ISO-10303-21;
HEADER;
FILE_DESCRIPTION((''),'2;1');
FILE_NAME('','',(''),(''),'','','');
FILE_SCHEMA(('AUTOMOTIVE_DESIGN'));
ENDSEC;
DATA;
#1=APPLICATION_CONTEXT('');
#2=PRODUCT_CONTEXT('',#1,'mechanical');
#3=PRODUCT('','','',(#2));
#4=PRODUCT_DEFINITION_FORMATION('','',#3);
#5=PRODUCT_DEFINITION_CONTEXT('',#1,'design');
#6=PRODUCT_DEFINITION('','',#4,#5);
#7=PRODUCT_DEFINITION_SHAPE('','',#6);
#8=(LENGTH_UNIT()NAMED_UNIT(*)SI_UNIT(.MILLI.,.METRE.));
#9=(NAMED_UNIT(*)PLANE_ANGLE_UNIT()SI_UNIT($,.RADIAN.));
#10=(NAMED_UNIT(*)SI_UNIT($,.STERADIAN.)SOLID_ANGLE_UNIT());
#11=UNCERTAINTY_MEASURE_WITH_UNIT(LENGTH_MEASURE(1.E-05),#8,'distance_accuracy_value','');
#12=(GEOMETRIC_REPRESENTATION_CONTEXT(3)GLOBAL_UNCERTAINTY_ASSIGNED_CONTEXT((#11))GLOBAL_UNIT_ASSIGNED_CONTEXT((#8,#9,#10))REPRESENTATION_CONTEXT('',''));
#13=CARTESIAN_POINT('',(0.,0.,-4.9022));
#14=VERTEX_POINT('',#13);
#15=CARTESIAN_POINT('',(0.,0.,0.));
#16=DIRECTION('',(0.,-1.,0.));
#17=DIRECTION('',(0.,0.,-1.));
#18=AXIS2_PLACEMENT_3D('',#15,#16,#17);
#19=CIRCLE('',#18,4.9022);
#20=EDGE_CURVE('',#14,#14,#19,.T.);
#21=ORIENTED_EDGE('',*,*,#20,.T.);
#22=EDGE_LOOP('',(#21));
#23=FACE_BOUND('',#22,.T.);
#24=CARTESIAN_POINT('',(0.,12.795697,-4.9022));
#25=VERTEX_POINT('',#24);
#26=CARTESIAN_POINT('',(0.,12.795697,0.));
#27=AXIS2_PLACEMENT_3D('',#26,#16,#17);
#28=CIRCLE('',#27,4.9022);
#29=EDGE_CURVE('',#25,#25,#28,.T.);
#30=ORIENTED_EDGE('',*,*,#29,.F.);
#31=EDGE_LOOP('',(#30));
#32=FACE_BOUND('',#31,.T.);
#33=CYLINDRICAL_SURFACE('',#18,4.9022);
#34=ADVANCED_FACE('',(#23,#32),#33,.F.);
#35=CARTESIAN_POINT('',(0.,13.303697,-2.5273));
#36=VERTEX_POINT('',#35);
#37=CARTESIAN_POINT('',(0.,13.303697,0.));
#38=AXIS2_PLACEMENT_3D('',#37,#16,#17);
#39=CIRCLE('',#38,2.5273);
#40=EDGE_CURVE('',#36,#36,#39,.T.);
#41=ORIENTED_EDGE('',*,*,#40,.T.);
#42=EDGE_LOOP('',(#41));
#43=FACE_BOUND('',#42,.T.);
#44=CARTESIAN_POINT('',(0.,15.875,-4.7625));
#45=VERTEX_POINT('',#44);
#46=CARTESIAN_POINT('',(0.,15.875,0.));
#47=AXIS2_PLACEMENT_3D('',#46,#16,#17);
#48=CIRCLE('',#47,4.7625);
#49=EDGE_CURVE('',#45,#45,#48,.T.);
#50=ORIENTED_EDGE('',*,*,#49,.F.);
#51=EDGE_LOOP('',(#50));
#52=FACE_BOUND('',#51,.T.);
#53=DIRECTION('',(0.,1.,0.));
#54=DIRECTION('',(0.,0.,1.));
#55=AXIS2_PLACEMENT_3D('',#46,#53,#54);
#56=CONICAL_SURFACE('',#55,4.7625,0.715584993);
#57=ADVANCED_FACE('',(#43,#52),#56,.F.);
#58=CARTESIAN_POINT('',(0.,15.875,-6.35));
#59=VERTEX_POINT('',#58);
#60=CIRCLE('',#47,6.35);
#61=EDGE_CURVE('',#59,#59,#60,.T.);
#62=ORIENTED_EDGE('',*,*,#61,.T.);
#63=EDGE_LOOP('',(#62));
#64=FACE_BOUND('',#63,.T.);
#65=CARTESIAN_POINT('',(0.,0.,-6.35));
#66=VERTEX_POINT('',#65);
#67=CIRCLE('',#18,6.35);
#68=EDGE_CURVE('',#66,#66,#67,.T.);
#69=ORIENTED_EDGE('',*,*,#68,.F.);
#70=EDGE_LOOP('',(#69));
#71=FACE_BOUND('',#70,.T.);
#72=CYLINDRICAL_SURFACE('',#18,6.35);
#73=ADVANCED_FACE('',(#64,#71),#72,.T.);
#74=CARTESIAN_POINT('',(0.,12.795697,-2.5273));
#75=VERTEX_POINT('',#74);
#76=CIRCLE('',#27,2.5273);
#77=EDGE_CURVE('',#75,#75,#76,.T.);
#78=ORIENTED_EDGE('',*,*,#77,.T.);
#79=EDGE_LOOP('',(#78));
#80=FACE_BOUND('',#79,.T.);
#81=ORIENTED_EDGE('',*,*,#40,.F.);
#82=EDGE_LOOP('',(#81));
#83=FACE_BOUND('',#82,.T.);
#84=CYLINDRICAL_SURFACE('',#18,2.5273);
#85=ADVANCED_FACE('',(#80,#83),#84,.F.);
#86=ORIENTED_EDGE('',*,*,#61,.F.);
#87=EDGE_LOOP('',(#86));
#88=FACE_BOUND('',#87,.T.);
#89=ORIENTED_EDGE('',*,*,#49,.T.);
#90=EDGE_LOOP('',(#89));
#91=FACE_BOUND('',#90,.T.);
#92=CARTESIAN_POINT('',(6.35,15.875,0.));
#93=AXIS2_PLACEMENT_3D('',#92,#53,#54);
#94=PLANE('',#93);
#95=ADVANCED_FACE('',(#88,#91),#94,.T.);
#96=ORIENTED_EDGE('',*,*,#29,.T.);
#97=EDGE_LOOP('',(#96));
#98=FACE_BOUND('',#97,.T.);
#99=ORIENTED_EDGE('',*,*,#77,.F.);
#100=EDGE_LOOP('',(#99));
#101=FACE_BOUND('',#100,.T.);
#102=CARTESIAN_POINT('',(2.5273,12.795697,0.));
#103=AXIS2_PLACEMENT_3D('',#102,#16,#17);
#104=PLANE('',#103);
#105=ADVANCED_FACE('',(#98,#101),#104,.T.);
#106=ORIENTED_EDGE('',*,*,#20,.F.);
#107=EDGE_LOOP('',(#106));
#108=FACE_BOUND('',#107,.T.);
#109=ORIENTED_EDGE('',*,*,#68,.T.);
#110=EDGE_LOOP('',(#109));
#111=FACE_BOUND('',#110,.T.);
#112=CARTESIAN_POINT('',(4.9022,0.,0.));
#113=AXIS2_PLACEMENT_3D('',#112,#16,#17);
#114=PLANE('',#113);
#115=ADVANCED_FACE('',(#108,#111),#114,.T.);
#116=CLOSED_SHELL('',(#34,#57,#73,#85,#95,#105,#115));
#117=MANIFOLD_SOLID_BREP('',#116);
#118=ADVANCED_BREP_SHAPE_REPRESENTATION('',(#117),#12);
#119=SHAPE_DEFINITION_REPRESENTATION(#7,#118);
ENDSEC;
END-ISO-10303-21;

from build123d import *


with BuildPart() as part:
    # Sketch1 → Revolve1 (revolve)
    with BuildSketch(Plane.XY, mode=Mode.PRIVATE) as revolve1_sk:
        Polygon((6.35, 0), (6.35, 15.875), (4.7625, 15.875), (2.5273, 13.303696536), (2.5273, 12.795696536), (4.9022, 12.795696536), (4.9022, 0), align=None)
    revolve(revolve1_sk.sketch.rotate(Axis((0, 0, 0), (0, 1, 0)), 90), axis=Axis((0, 0, 0), (0, 1, 0)))


solid = part.part
